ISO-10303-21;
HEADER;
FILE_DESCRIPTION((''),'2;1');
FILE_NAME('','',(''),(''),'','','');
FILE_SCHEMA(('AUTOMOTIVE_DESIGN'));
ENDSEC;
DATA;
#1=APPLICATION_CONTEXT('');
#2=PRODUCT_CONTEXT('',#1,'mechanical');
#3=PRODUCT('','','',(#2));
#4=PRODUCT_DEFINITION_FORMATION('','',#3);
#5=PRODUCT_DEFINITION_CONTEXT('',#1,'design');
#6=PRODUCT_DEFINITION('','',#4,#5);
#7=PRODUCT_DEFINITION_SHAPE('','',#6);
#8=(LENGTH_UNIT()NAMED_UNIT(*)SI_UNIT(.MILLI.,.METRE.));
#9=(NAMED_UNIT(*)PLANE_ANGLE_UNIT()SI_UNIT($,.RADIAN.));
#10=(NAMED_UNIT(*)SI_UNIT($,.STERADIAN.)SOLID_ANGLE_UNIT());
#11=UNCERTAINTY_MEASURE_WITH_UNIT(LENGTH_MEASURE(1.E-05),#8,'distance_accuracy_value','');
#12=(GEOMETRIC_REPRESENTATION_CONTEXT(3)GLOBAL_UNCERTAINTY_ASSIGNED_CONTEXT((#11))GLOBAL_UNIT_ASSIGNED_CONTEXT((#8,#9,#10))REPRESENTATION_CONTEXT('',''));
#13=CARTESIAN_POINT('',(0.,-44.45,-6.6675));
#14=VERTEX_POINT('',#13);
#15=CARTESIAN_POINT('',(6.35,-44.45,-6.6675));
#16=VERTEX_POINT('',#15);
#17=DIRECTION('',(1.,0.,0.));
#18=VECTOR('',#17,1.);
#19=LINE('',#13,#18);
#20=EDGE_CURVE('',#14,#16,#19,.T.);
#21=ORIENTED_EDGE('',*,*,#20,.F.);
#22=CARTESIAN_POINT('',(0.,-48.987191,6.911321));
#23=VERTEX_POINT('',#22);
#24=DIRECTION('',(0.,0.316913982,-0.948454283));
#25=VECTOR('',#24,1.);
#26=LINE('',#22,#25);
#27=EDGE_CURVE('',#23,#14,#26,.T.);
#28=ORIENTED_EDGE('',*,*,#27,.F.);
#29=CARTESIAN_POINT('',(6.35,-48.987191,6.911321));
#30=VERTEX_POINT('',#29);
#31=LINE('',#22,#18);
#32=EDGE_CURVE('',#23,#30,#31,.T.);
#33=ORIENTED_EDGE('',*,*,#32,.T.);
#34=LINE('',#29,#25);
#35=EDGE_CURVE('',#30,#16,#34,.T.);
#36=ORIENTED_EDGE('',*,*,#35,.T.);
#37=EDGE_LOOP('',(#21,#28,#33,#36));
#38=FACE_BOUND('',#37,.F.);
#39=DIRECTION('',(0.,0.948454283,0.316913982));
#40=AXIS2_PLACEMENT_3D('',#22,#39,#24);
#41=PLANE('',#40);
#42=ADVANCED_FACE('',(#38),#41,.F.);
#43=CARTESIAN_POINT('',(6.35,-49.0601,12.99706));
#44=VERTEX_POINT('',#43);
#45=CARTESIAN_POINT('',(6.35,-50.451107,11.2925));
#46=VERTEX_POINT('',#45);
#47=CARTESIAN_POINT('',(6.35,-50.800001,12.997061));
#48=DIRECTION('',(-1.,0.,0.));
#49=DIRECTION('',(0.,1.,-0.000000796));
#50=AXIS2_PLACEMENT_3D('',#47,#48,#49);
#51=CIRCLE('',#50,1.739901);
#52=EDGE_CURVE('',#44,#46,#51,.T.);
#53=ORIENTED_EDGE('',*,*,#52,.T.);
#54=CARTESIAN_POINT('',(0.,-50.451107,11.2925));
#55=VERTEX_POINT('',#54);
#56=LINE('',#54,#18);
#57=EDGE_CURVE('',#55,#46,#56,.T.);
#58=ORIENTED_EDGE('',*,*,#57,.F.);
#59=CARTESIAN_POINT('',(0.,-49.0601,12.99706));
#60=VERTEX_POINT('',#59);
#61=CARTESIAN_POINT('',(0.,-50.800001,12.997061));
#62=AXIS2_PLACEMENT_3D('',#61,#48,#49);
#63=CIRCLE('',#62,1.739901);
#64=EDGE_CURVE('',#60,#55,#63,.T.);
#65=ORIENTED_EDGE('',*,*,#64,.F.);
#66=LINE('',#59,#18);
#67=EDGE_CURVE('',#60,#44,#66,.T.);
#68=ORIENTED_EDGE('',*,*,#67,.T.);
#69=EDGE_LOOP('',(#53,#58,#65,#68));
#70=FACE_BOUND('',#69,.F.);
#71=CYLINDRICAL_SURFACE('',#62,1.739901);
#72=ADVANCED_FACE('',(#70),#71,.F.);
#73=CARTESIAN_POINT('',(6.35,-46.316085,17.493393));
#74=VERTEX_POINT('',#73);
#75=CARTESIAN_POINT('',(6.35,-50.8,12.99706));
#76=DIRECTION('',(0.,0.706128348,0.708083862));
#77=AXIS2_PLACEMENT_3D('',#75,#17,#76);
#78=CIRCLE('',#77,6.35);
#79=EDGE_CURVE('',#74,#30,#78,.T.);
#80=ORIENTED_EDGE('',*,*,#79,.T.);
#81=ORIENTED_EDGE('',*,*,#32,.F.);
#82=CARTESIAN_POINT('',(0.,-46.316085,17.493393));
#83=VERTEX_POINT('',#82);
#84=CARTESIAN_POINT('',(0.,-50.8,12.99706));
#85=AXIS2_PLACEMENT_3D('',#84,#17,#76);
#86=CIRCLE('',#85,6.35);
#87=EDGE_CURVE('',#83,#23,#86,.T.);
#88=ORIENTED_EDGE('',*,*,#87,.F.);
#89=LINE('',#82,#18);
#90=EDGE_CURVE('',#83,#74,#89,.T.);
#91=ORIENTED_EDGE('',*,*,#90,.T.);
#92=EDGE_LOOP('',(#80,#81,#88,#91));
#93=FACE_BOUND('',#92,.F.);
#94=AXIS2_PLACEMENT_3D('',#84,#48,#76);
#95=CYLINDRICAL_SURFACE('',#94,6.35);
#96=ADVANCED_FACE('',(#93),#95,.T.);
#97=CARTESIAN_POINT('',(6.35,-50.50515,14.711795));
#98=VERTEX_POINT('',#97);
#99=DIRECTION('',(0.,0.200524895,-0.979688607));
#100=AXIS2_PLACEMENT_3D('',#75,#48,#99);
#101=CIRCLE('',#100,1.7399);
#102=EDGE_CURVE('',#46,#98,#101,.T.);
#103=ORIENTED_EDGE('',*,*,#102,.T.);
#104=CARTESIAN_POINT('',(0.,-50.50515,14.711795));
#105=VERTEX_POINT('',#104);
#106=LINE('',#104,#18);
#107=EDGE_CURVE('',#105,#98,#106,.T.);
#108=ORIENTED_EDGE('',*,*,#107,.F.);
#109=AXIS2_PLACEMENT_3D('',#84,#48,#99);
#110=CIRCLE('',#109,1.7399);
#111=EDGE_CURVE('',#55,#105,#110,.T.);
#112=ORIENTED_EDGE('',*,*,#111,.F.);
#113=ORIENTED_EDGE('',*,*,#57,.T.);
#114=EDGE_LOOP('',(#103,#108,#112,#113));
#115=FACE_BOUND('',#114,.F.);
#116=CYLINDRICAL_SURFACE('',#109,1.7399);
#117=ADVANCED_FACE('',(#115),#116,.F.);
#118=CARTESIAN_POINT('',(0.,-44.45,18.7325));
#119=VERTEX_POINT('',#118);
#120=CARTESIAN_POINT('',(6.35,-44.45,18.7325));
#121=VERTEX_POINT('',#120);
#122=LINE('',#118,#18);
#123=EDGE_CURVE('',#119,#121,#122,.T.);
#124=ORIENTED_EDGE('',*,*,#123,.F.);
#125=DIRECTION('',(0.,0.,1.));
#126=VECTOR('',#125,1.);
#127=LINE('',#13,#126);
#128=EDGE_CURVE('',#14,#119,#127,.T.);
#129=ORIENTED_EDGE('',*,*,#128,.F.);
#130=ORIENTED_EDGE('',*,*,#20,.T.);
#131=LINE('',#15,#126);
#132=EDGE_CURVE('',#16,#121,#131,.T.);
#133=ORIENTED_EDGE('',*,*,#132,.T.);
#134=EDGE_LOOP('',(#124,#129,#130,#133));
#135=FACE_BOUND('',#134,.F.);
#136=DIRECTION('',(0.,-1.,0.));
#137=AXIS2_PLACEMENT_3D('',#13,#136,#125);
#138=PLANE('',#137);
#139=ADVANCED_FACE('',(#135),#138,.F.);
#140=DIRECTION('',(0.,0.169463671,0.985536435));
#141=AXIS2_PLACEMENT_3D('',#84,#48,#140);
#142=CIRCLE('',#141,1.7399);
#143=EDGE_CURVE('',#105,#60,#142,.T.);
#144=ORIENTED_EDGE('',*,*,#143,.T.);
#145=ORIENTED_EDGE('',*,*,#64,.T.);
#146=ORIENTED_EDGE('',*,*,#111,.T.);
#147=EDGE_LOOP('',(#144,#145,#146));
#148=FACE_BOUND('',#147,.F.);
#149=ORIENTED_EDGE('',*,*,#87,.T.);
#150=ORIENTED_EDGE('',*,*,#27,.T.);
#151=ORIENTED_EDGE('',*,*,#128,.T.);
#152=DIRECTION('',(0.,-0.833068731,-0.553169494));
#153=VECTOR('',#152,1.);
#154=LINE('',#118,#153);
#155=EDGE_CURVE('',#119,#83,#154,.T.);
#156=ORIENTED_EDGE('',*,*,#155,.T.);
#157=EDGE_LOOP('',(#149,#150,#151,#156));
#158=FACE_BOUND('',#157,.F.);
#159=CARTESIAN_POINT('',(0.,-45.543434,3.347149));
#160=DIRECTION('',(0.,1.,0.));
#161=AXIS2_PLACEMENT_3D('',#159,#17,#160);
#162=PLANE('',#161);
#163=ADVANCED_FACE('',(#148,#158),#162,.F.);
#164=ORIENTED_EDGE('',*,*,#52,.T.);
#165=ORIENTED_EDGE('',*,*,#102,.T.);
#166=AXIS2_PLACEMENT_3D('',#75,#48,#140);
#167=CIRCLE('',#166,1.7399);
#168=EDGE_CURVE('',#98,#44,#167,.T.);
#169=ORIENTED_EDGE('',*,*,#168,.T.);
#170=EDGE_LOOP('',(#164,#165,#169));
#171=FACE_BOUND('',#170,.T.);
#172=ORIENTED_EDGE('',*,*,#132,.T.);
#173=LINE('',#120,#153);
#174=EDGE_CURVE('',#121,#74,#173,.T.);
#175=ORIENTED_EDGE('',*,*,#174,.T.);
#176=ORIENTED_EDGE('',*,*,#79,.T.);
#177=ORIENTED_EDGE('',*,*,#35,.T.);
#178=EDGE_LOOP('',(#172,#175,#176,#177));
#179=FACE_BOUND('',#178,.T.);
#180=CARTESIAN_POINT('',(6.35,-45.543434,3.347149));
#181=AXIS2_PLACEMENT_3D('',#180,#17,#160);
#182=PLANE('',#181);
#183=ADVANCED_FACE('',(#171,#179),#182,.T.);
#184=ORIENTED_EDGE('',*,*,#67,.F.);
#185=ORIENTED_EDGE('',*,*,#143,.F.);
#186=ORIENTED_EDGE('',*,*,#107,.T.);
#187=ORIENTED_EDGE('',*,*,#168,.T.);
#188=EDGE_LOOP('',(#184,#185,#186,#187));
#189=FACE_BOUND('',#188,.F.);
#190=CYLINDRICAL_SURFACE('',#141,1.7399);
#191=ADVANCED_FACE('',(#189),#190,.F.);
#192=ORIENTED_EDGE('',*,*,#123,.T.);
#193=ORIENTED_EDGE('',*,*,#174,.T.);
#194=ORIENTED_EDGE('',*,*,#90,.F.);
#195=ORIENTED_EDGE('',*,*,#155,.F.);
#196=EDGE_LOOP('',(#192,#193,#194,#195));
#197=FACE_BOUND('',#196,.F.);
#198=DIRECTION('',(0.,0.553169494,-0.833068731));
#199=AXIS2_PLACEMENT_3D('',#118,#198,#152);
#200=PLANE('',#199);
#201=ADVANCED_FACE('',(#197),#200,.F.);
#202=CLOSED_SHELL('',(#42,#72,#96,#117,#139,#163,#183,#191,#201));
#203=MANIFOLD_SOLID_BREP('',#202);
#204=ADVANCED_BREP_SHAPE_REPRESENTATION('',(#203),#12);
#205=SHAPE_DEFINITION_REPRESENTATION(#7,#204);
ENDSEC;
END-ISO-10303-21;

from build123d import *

# Parameters (mm, degrees)
F1_DEPTH = 6.35


with BuildPart() as f1:
    # F0 (on Right) → F1 (new body)
    with BuildSketch(Plane.YZ):
        with BuildLine():
            Line((-44.45, -6.6675), (-44.45, 12.99706))
            ThreePointArc((-44.45, 12.99706), (-45.709134, 9.201592), (-48.987191, 6.911321))
            Line((-48.987191, 6.911321), (-44.45, -6.6675))
        make_face()
        with BuildLine():
            ThreePointArc((-48.987191, 6.911321), (-45.709134, 9.201592), (-44.45, 12.99706))
            ThreePointArc((-44.45, 12.99706), (-44.935046, 15.431156), (-46.316085, 17.493393))
            Line((-46.316085, 17.493393), (-50.50515, 14.711795))
            ThreePointArc((-50.50515, 14.711795), (-49.469537, 14.118274), (-49.0601, 12.99706))
            ThreePointArc((-49.0601, 12.99706), (-49.451985, 11.897012), (-50.451107, 11.2925))
            Line((-50.451107, 11.2925), (-48.987191, 6.911321))
        make_face()
        with BuildLine():
            Line((-50.50515, 14.711795), (-46.316085, 17.493393))
            ThreePointArc((-46.316085, 17.493393), (-56.956886, 14.55117), (-48.987191, 6.911321))
            Line((-48.987191, 6.911321), (-50.451107, 11.2925))
            ThreePointArc((-50.451107, 11.2925), (-52.539683, 12.969564), (-50.50515, 14.711795))
        make_face()
        with BuildLine():
            Line((-44.45, 12.99706), (-44.45, 18.7325))
            Line((-44.45, 18.7325), (-46.316085, 17.493393))
            ThreePointArc((-46.316085, 17.493393), (-44.935046, 15.431156), (-44.45, 12.99706))
        make_face()
    extrude(amount=F1_DEPTH)


solid = f1.part
